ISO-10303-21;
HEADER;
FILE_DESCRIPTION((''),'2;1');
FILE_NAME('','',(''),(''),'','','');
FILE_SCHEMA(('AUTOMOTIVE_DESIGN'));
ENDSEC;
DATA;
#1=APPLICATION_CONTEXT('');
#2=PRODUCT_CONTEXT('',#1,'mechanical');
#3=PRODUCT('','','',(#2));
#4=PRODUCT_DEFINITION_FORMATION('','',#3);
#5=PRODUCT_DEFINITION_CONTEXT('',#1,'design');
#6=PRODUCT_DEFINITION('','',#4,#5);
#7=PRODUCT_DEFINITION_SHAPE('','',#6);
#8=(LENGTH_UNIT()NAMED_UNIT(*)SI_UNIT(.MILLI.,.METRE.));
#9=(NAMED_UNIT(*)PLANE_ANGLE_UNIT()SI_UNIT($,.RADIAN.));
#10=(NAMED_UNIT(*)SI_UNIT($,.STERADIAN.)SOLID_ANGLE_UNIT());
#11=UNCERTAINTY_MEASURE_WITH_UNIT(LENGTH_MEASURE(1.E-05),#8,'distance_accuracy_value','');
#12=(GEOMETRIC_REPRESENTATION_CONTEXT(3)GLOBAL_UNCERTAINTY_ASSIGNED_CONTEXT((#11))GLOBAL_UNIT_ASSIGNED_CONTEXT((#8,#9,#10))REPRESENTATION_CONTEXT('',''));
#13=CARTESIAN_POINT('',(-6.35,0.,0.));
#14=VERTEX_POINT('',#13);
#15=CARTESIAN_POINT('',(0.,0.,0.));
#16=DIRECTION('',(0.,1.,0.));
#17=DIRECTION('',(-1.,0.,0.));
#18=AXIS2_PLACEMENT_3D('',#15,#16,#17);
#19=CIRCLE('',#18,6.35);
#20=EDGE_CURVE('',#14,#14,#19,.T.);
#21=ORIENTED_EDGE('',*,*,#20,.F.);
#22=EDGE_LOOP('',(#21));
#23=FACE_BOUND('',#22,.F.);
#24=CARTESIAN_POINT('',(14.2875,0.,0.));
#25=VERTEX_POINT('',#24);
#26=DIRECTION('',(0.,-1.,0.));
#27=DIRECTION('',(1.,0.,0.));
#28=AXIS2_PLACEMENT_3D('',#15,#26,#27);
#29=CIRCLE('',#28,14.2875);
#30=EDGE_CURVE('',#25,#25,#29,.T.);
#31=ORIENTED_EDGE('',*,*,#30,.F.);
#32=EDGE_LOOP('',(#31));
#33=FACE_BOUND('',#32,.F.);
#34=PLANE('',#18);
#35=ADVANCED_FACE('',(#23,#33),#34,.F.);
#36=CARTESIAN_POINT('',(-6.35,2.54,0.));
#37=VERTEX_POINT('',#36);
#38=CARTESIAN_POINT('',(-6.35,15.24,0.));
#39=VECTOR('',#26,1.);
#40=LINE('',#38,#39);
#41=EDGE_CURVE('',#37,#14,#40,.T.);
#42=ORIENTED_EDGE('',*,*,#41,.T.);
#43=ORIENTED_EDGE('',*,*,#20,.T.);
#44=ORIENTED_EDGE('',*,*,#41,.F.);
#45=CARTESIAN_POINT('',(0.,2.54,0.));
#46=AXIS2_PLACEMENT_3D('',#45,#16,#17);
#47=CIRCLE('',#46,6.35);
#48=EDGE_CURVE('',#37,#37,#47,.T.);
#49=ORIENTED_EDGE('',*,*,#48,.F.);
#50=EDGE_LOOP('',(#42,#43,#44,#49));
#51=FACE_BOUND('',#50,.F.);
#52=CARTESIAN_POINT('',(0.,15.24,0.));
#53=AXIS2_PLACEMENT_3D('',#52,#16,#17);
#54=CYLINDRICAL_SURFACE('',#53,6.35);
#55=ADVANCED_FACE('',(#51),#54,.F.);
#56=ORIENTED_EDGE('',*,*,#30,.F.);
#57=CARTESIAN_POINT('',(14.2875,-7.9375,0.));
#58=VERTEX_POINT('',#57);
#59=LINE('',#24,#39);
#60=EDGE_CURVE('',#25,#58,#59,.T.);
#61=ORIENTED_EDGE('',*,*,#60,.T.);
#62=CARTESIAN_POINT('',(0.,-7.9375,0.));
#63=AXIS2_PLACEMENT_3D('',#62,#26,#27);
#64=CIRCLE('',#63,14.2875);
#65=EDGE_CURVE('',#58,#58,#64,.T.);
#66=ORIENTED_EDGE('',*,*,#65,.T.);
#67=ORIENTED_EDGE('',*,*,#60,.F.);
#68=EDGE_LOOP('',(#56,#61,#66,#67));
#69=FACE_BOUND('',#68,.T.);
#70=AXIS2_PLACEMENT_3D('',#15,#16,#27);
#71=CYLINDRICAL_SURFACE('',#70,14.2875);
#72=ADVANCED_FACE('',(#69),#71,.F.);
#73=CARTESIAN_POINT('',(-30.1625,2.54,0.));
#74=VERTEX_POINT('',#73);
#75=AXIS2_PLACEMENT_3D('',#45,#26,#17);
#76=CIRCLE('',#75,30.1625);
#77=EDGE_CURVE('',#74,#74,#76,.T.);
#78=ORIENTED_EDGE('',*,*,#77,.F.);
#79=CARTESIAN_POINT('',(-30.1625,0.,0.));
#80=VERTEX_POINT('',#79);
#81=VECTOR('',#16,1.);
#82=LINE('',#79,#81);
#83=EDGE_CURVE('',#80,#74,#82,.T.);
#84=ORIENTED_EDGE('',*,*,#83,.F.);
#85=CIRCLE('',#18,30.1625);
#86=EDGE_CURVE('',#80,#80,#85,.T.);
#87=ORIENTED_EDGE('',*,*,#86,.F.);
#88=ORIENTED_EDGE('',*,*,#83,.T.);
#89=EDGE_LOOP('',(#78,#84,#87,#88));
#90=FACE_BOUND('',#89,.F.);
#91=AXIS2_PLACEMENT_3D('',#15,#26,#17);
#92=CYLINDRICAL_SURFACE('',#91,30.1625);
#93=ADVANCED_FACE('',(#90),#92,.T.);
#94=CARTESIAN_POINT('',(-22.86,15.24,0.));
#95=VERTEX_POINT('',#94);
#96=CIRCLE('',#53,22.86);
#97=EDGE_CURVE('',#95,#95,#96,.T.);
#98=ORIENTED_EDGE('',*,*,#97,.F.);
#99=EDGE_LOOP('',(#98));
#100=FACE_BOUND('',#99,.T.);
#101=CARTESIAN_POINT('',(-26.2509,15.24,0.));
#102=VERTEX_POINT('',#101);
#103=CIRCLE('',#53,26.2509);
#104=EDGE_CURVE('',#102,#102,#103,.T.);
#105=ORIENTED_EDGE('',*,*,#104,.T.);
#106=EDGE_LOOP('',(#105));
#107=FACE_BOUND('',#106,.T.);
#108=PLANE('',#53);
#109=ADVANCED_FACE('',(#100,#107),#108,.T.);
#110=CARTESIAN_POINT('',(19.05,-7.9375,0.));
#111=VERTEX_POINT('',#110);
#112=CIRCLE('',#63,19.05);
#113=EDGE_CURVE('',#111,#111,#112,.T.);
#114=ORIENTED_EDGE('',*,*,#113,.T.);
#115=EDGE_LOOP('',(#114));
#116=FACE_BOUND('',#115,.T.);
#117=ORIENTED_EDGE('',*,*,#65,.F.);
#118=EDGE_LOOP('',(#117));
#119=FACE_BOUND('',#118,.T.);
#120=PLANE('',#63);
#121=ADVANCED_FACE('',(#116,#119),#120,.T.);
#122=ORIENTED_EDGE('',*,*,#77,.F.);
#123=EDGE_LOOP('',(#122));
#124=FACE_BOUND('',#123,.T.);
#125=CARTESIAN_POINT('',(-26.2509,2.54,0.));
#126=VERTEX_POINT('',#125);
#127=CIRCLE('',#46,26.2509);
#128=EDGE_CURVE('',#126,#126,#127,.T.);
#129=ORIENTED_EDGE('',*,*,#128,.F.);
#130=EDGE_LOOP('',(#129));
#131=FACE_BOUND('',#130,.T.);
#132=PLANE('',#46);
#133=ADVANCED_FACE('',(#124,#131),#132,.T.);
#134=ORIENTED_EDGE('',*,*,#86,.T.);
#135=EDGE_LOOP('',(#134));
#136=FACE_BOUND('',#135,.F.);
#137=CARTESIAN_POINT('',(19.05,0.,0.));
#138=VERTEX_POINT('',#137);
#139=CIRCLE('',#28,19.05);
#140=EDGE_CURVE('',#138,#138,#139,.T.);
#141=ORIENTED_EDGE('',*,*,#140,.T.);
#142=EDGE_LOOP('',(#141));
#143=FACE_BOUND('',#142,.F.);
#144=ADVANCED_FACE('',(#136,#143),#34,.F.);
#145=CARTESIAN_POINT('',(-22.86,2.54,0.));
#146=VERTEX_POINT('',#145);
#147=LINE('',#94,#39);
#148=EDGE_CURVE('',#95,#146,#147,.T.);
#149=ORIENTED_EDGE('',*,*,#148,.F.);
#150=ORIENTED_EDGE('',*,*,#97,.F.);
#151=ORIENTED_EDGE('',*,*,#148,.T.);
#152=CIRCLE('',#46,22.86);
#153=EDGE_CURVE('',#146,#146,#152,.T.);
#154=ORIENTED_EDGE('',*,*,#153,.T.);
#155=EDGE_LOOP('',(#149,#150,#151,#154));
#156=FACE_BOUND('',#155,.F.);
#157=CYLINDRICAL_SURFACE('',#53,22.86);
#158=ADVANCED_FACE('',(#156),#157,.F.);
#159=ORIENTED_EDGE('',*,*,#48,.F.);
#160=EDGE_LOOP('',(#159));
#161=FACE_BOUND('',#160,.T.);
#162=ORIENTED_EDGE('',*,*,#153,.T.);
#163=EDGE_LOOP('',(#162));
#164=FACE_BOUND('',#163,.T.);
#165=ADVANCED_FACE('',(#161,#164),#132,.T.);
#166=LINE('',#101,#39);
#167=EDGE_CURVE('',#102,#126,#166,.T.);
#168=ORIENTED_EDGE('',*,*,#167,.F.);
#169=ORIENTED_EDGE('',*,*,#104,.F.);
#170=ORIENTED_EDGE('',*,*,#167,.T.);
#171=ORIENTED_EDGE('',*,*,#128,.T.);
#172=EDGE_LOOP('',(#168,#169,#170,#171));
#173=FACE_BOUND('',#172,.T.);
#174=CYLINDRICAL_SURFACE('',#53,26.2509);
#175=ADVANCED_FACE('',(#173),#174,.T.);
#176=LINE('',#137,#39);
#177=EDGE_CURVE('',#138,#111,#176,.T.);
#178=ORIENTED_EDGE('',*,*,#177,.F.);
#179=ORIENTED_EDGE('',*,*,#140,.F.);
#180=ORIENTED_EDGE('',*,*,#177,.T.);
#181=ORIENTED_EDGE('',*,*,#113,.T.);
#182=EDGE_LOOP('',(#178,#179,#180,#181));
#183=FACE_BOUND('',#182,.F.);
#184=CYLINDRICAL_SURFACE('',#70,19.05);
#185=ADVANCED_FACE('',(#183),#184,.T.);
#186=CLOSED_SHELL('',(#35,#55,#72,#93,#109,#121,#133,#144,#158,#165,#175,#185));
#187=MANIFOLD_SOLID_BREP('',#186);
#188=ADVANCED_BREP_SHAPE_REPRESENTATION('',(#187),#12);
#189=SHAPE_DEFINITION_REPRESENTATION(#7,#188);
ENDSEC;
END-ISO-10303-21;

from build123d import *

# Parameters (mm, degrees)
F0_R     = 19.05
F0_R_2   = 14.2875
F1_DEPTH = 7.9375
F2_R     = 30.1625
F3_DEPTH = 15.24
F4_R     = 6.35
F5_DEPTH = 23.1785
F6_R     = 32.385
F6_R_2   = 26.2509
F7_DEPTH = 12.7
F8_R     = 22.86
F9_DEPTH = 12.7


with BuildPart() as f1:
    # F0 (on Front) → F1 (new body)
    with BuildSketch(Plane.XZ):
        Circle(F0_R)
        Circle(F0_R_2, mode=Mode.SUBTRACT)
    extrude(amount=F1_DEPTH)

    # F2 (on face) → F3 (join)
    with BuildSketch(Plane(origin=(0, 0, 0), x_dir=(-1, 0, 0), z_dir=(0, 1, 0))):
        Circle(F2_R)
    extrude(amount=F3_DEPTH)

    # F4 (on face) → F5 (cut, through all)
    with BuildSketch(Plane(origin=(0, 15.24, 0), x_dir=(-1, 0, 0), z_dir=(0, 1, 0))):
        Circle(F4_R)
    extrude(amount=-F5_DEPTH, mode=Mode.SUBTRACT)

    # F6 (on face) → F7 (cut)
    with BuildSketch(Plane(origin=(0, 15.24, 0), x_dir=(-1, 0, 0), z_dir=(0, 1, 0))):
        Circle(F6_R)
        Circle(F6_R_2, mode=Mode.SUBTRACT)
    extrude(amount=-F7_DEPTH, mode=Mode.SUBTRACT)

    # F8 (on face) → F9 (cut)
    with BuildSketch(Plane(origin=(0, 15.24, 0), x_dir=(-1, 0, 0), z_dir=(0, 1, 0))):
        Circle(F8_R)
    extrude(amount=-F9_DEPTH, mode=Mode.SUBTRACT)


solid = f1.part
